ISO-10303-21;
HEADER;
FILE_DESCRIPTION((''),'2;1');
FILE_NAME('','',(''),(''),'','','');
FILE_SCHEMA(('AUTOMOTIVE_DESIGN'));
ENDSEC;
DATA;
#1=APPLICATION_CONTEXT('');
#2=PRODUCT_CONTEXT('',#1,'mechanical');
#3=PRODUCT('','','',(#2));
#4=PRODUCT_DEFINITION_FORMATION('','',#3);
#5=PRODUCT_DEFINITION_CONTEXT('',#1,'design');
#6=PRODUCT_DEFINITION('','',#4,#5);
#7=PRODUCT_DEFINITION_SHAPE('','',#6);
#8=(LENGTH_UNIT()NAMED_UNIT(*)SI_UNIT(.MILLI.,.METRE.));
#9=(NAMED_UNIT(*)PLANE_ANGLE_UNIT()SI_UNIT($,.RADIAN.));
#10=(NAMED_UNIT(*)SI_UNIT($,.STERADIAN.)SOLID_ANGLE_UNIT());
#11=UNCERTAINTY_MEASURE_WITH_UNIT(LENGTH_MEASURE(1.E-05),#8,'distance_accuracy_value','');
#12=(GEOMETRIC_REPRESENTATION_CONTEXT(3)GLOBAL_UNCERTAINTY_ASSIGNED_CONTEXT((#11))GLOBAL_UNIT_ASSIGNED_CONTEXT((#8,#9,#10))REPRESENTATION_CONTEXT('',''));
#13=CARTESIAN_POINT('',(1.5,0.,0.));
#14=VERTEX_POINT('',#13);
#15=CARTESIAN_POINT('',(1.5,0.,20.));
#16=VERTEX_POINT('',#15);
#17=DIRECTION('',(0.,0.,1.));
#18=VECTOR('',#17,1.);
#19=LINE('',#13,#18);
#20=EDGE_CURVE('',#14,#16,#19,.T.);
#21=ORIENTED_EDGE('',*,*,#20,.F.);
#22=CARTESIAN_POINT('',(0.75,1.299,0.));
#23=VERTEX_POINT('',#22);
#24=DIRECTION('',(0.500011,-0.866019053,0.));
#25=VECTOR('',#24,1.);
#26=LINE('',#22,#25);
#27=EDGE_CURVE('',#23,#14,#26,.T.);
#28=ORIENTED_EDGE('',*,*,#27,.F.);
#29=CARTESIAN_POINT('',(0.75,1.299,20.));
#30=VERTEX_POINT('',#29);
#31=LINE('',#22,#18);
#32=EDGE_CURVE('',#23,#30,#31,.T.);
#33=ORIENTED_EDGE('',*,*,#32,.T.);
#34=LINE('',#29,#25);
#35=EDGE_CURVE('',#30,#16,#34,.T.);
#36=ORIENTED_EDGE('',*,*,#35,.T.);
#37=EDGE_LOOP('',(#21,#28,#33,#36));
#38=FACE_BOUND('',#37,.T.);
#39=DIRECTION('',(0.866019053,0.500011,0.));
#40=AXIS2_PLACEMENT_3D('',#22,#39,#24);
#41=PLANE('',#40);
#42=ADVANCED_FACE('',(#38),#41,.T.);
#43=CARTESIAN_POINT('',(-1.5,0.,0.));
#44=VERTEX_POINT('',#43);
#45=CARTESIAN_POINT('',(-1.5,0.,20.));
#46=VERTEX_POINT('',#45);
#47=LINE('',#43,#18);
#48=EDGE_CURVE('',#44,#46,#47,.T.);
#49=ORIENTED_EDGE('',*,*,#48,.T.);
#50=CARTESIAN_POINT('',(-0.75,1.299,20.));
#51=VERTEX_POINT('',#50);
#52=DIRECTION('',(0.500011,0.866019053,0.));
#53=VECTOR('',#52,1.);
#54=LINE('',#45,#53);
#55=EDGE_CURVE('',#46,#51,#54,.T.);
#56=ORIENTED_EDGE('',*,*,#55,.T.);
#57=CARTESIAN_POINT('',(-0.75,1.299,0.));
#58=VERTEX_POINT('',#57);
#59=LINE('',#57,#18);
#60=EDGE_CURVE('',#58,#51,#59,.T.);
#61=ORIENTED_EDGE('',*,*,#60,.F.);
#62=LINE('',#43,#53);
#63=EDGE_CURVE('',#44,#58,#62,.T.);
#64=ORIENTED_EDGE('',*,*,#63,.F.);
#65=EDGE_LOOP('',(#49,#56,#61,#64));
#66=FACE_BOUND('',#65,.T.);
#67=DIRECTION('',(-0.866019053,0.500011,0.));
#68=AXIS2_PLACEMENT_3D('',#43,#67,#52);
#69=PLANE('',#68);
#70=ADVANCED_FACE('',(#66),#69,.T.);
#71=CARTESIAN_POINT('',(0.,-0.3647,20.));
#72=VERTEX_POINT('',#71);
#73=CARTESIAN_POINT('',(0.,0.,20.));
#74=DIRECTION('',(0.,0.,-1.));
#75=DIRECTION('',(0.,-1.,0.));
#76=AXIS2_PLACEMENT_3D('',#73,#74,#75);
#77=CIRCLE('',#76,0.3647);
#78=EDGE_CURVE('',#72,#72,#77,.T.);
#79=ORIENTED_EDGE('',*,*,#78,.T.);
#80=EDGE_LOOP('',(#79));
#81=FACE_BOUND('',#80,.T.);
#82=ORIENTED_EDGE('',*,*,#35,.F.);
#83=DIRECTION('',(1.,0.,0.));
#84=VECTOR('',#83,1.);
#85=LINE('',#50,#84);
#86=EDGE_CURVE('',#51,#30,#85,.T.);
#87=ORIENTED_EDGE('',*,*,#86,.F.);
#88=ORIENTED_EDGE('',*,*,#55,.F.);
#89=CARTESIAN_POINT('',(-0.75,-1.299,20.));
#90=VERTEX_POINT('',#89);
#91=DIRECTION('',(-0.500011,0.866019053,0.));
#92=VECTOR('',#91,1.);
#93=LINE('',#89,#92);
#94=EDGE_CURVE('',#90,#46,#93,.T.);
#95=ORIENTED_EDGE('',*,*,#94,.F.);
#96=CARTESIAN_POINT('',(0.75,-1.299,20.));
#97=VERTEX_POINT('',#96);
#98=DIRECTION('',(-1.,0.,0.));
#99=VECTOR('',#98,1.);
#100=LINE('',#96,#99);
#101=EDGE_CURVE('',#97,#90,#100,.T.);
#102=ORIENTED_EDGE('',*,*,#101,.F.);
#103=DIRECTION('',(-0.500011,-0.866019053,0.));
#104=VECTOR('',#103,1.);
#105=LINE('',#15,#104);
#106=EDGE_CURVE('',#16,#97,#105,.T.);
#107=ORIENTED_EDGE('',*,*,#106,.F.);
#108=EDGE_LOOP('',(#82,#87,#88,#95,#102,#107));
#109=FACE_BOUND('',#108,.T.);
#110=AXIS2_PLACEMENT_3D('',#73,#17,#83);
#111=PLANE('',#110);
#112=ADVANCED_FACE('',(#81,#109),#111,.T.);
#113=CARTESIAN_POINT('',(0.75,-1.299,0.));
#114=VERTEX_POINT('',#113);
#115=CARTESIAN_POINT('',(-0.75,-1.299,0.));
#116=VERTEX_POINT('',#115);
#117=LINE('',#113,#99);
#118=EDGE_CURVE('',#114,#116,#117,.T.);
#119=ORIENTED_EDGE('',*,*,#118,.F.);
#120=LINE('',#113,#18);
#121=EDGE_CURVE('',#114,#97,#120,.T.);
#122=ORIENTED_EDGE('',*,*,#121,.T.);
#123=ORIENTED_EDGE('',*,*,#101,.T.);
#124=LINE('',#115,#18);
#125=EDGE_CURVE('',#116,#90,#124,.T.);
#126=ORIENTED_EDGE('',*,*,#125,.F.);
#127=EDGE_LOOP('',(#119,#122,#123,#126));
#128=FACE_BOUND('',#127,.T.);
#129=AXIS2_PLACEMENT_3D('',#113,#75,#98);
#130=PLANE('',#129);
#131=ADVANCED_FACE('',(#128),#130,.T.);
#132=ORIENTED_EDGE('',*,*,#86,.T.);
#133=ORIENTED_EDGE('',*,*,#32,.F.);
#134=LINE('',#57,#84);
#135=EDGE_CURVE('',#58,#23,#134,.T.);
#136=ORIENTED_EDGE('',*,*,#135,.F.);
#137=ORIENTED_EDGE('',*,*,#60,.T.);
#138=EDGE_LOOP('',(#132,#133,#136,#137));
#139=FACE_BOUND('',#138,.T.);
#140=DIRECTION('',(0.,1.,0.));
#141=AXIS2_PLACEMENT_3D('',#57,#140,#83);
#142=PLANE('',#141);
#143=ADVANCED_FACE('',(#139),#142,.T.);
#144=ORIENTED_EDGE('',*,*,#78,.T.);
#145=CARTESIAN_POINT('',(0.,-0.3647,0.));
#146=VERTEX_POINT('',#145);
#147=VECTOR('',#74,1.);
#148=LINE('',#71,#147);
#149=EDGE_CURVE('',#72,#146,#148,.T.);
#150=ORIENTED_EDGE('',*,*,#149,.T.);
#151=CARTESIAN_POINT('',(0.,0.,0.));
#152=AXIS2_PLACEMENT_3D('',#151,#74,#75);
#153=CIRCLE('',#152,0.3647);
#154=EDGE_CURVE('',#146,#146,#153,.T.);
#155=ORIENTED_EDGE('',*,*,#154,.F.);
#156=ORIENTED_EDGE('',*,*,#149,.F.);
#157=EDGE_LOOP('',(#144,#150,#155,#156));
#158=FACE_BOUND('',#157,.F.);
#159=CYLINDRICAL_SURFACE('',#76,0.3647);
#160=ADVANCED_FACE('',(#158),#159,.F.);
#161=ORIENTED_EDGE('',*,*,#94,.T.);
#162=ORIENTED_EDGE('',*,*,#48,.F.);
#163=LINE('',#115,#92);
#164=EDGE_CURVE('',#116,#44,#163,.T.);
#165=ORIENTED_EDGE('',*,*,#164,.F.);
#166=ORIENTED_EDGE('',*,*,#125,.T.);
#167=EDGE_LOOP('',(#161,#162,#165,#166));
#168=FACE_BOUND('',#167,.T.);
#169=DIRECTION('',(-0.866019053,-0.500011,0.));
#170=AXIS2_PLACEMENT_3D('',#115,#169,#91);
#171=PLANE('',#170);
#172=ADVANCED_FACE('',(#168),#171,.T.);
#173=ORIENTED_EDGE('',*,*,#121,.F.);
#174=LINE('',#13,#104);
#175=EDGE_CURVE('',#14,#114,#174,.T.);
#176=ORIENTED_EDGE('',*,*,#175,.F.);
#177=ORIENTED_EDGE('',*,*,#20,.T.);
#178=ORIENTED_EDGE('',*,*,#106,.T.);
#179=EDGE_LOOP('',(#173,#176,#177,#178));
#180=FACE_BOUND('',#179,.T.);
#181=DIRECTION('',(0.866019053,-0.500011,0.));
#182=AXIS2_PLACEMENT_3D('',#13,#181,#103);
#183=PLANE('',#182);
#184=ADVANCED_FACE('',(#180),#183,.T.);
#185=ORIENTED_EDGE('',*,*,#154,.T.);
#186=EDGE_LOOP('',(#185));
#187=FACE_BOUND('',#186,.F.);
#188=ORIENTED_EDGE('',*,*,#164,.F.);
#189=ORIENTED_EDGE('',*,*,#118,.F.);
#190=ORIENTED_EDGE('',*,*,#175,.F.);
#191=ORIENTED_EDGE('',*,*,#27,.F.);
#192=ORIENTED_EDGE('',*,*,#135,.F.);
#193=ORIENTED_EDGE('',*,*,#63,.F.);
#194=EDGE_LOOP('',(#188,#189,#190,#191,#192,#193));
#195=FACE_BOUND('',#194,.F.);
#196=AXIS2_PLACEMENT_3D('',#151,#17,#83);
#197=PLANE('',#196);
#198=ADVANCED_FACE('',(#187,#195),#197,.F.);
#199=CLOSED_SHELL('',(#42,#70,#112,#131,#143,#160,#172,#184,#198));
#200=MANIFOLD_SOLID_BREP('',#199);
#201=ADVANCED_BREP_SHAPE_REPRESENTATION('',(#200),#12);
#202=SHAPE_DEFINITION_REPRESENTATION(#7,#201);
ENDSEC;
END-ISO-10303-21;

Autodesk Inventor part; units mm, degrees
ref_plane "YZ Plane" through (0, 0, 0) normal (1, 0, 0) x (0, 1, 0)
ref_plane "XZ Plane" through (0, 0, 0) normal (0, 1, 0) x (-1, 0, 0)
ref_plane "XY Plane" through (0, 0, 0) normal (0, 0, 1) x (1, 0, 0)
sketch "Base" plane through (0, 0, 0) normal (0, 0, 1) x (1, 0, 0)
  circle A0 centre (0, 0) radius 1.5 construction
  circle A1 centre (0, 0) radius 1.5 construction
  line L0 (0.75, 1.299) -> (1.5, 0)
  line L1 (1.5, 0) -> (0.75, -1.299)
  line L2 (0.75, -1.299) -> (-0.75, -1.299)
  line L3 (-0.75, -1.299) -> (-1.5, 0)
  line L4 (-1.5, 0) -> (-0.75, 1.299)
  line L5 (-0.75, 1.299) -> (0.75, 1.299)
  line L6 (-2.1, 0) -> (2.1, 0) projected
  dimension "d1" = 3
  dimension "d0" = 3
extrude "BaseFeature" add sketch "Base" along normal blind 20
sketch "MountHole" plane through (0, 0, 20) normal (0, 0, 1) x (1, 0, 0)
  point P0 (0, 0)
hole "MountHoleFeature" at (0, 0, 20) direction (0, 0, -1) diameter 0.7294 end through all thread size "M1x0.25" class "6H" standard "ISO Metric profile"
properties part number "M1-Standoff-20mm"
